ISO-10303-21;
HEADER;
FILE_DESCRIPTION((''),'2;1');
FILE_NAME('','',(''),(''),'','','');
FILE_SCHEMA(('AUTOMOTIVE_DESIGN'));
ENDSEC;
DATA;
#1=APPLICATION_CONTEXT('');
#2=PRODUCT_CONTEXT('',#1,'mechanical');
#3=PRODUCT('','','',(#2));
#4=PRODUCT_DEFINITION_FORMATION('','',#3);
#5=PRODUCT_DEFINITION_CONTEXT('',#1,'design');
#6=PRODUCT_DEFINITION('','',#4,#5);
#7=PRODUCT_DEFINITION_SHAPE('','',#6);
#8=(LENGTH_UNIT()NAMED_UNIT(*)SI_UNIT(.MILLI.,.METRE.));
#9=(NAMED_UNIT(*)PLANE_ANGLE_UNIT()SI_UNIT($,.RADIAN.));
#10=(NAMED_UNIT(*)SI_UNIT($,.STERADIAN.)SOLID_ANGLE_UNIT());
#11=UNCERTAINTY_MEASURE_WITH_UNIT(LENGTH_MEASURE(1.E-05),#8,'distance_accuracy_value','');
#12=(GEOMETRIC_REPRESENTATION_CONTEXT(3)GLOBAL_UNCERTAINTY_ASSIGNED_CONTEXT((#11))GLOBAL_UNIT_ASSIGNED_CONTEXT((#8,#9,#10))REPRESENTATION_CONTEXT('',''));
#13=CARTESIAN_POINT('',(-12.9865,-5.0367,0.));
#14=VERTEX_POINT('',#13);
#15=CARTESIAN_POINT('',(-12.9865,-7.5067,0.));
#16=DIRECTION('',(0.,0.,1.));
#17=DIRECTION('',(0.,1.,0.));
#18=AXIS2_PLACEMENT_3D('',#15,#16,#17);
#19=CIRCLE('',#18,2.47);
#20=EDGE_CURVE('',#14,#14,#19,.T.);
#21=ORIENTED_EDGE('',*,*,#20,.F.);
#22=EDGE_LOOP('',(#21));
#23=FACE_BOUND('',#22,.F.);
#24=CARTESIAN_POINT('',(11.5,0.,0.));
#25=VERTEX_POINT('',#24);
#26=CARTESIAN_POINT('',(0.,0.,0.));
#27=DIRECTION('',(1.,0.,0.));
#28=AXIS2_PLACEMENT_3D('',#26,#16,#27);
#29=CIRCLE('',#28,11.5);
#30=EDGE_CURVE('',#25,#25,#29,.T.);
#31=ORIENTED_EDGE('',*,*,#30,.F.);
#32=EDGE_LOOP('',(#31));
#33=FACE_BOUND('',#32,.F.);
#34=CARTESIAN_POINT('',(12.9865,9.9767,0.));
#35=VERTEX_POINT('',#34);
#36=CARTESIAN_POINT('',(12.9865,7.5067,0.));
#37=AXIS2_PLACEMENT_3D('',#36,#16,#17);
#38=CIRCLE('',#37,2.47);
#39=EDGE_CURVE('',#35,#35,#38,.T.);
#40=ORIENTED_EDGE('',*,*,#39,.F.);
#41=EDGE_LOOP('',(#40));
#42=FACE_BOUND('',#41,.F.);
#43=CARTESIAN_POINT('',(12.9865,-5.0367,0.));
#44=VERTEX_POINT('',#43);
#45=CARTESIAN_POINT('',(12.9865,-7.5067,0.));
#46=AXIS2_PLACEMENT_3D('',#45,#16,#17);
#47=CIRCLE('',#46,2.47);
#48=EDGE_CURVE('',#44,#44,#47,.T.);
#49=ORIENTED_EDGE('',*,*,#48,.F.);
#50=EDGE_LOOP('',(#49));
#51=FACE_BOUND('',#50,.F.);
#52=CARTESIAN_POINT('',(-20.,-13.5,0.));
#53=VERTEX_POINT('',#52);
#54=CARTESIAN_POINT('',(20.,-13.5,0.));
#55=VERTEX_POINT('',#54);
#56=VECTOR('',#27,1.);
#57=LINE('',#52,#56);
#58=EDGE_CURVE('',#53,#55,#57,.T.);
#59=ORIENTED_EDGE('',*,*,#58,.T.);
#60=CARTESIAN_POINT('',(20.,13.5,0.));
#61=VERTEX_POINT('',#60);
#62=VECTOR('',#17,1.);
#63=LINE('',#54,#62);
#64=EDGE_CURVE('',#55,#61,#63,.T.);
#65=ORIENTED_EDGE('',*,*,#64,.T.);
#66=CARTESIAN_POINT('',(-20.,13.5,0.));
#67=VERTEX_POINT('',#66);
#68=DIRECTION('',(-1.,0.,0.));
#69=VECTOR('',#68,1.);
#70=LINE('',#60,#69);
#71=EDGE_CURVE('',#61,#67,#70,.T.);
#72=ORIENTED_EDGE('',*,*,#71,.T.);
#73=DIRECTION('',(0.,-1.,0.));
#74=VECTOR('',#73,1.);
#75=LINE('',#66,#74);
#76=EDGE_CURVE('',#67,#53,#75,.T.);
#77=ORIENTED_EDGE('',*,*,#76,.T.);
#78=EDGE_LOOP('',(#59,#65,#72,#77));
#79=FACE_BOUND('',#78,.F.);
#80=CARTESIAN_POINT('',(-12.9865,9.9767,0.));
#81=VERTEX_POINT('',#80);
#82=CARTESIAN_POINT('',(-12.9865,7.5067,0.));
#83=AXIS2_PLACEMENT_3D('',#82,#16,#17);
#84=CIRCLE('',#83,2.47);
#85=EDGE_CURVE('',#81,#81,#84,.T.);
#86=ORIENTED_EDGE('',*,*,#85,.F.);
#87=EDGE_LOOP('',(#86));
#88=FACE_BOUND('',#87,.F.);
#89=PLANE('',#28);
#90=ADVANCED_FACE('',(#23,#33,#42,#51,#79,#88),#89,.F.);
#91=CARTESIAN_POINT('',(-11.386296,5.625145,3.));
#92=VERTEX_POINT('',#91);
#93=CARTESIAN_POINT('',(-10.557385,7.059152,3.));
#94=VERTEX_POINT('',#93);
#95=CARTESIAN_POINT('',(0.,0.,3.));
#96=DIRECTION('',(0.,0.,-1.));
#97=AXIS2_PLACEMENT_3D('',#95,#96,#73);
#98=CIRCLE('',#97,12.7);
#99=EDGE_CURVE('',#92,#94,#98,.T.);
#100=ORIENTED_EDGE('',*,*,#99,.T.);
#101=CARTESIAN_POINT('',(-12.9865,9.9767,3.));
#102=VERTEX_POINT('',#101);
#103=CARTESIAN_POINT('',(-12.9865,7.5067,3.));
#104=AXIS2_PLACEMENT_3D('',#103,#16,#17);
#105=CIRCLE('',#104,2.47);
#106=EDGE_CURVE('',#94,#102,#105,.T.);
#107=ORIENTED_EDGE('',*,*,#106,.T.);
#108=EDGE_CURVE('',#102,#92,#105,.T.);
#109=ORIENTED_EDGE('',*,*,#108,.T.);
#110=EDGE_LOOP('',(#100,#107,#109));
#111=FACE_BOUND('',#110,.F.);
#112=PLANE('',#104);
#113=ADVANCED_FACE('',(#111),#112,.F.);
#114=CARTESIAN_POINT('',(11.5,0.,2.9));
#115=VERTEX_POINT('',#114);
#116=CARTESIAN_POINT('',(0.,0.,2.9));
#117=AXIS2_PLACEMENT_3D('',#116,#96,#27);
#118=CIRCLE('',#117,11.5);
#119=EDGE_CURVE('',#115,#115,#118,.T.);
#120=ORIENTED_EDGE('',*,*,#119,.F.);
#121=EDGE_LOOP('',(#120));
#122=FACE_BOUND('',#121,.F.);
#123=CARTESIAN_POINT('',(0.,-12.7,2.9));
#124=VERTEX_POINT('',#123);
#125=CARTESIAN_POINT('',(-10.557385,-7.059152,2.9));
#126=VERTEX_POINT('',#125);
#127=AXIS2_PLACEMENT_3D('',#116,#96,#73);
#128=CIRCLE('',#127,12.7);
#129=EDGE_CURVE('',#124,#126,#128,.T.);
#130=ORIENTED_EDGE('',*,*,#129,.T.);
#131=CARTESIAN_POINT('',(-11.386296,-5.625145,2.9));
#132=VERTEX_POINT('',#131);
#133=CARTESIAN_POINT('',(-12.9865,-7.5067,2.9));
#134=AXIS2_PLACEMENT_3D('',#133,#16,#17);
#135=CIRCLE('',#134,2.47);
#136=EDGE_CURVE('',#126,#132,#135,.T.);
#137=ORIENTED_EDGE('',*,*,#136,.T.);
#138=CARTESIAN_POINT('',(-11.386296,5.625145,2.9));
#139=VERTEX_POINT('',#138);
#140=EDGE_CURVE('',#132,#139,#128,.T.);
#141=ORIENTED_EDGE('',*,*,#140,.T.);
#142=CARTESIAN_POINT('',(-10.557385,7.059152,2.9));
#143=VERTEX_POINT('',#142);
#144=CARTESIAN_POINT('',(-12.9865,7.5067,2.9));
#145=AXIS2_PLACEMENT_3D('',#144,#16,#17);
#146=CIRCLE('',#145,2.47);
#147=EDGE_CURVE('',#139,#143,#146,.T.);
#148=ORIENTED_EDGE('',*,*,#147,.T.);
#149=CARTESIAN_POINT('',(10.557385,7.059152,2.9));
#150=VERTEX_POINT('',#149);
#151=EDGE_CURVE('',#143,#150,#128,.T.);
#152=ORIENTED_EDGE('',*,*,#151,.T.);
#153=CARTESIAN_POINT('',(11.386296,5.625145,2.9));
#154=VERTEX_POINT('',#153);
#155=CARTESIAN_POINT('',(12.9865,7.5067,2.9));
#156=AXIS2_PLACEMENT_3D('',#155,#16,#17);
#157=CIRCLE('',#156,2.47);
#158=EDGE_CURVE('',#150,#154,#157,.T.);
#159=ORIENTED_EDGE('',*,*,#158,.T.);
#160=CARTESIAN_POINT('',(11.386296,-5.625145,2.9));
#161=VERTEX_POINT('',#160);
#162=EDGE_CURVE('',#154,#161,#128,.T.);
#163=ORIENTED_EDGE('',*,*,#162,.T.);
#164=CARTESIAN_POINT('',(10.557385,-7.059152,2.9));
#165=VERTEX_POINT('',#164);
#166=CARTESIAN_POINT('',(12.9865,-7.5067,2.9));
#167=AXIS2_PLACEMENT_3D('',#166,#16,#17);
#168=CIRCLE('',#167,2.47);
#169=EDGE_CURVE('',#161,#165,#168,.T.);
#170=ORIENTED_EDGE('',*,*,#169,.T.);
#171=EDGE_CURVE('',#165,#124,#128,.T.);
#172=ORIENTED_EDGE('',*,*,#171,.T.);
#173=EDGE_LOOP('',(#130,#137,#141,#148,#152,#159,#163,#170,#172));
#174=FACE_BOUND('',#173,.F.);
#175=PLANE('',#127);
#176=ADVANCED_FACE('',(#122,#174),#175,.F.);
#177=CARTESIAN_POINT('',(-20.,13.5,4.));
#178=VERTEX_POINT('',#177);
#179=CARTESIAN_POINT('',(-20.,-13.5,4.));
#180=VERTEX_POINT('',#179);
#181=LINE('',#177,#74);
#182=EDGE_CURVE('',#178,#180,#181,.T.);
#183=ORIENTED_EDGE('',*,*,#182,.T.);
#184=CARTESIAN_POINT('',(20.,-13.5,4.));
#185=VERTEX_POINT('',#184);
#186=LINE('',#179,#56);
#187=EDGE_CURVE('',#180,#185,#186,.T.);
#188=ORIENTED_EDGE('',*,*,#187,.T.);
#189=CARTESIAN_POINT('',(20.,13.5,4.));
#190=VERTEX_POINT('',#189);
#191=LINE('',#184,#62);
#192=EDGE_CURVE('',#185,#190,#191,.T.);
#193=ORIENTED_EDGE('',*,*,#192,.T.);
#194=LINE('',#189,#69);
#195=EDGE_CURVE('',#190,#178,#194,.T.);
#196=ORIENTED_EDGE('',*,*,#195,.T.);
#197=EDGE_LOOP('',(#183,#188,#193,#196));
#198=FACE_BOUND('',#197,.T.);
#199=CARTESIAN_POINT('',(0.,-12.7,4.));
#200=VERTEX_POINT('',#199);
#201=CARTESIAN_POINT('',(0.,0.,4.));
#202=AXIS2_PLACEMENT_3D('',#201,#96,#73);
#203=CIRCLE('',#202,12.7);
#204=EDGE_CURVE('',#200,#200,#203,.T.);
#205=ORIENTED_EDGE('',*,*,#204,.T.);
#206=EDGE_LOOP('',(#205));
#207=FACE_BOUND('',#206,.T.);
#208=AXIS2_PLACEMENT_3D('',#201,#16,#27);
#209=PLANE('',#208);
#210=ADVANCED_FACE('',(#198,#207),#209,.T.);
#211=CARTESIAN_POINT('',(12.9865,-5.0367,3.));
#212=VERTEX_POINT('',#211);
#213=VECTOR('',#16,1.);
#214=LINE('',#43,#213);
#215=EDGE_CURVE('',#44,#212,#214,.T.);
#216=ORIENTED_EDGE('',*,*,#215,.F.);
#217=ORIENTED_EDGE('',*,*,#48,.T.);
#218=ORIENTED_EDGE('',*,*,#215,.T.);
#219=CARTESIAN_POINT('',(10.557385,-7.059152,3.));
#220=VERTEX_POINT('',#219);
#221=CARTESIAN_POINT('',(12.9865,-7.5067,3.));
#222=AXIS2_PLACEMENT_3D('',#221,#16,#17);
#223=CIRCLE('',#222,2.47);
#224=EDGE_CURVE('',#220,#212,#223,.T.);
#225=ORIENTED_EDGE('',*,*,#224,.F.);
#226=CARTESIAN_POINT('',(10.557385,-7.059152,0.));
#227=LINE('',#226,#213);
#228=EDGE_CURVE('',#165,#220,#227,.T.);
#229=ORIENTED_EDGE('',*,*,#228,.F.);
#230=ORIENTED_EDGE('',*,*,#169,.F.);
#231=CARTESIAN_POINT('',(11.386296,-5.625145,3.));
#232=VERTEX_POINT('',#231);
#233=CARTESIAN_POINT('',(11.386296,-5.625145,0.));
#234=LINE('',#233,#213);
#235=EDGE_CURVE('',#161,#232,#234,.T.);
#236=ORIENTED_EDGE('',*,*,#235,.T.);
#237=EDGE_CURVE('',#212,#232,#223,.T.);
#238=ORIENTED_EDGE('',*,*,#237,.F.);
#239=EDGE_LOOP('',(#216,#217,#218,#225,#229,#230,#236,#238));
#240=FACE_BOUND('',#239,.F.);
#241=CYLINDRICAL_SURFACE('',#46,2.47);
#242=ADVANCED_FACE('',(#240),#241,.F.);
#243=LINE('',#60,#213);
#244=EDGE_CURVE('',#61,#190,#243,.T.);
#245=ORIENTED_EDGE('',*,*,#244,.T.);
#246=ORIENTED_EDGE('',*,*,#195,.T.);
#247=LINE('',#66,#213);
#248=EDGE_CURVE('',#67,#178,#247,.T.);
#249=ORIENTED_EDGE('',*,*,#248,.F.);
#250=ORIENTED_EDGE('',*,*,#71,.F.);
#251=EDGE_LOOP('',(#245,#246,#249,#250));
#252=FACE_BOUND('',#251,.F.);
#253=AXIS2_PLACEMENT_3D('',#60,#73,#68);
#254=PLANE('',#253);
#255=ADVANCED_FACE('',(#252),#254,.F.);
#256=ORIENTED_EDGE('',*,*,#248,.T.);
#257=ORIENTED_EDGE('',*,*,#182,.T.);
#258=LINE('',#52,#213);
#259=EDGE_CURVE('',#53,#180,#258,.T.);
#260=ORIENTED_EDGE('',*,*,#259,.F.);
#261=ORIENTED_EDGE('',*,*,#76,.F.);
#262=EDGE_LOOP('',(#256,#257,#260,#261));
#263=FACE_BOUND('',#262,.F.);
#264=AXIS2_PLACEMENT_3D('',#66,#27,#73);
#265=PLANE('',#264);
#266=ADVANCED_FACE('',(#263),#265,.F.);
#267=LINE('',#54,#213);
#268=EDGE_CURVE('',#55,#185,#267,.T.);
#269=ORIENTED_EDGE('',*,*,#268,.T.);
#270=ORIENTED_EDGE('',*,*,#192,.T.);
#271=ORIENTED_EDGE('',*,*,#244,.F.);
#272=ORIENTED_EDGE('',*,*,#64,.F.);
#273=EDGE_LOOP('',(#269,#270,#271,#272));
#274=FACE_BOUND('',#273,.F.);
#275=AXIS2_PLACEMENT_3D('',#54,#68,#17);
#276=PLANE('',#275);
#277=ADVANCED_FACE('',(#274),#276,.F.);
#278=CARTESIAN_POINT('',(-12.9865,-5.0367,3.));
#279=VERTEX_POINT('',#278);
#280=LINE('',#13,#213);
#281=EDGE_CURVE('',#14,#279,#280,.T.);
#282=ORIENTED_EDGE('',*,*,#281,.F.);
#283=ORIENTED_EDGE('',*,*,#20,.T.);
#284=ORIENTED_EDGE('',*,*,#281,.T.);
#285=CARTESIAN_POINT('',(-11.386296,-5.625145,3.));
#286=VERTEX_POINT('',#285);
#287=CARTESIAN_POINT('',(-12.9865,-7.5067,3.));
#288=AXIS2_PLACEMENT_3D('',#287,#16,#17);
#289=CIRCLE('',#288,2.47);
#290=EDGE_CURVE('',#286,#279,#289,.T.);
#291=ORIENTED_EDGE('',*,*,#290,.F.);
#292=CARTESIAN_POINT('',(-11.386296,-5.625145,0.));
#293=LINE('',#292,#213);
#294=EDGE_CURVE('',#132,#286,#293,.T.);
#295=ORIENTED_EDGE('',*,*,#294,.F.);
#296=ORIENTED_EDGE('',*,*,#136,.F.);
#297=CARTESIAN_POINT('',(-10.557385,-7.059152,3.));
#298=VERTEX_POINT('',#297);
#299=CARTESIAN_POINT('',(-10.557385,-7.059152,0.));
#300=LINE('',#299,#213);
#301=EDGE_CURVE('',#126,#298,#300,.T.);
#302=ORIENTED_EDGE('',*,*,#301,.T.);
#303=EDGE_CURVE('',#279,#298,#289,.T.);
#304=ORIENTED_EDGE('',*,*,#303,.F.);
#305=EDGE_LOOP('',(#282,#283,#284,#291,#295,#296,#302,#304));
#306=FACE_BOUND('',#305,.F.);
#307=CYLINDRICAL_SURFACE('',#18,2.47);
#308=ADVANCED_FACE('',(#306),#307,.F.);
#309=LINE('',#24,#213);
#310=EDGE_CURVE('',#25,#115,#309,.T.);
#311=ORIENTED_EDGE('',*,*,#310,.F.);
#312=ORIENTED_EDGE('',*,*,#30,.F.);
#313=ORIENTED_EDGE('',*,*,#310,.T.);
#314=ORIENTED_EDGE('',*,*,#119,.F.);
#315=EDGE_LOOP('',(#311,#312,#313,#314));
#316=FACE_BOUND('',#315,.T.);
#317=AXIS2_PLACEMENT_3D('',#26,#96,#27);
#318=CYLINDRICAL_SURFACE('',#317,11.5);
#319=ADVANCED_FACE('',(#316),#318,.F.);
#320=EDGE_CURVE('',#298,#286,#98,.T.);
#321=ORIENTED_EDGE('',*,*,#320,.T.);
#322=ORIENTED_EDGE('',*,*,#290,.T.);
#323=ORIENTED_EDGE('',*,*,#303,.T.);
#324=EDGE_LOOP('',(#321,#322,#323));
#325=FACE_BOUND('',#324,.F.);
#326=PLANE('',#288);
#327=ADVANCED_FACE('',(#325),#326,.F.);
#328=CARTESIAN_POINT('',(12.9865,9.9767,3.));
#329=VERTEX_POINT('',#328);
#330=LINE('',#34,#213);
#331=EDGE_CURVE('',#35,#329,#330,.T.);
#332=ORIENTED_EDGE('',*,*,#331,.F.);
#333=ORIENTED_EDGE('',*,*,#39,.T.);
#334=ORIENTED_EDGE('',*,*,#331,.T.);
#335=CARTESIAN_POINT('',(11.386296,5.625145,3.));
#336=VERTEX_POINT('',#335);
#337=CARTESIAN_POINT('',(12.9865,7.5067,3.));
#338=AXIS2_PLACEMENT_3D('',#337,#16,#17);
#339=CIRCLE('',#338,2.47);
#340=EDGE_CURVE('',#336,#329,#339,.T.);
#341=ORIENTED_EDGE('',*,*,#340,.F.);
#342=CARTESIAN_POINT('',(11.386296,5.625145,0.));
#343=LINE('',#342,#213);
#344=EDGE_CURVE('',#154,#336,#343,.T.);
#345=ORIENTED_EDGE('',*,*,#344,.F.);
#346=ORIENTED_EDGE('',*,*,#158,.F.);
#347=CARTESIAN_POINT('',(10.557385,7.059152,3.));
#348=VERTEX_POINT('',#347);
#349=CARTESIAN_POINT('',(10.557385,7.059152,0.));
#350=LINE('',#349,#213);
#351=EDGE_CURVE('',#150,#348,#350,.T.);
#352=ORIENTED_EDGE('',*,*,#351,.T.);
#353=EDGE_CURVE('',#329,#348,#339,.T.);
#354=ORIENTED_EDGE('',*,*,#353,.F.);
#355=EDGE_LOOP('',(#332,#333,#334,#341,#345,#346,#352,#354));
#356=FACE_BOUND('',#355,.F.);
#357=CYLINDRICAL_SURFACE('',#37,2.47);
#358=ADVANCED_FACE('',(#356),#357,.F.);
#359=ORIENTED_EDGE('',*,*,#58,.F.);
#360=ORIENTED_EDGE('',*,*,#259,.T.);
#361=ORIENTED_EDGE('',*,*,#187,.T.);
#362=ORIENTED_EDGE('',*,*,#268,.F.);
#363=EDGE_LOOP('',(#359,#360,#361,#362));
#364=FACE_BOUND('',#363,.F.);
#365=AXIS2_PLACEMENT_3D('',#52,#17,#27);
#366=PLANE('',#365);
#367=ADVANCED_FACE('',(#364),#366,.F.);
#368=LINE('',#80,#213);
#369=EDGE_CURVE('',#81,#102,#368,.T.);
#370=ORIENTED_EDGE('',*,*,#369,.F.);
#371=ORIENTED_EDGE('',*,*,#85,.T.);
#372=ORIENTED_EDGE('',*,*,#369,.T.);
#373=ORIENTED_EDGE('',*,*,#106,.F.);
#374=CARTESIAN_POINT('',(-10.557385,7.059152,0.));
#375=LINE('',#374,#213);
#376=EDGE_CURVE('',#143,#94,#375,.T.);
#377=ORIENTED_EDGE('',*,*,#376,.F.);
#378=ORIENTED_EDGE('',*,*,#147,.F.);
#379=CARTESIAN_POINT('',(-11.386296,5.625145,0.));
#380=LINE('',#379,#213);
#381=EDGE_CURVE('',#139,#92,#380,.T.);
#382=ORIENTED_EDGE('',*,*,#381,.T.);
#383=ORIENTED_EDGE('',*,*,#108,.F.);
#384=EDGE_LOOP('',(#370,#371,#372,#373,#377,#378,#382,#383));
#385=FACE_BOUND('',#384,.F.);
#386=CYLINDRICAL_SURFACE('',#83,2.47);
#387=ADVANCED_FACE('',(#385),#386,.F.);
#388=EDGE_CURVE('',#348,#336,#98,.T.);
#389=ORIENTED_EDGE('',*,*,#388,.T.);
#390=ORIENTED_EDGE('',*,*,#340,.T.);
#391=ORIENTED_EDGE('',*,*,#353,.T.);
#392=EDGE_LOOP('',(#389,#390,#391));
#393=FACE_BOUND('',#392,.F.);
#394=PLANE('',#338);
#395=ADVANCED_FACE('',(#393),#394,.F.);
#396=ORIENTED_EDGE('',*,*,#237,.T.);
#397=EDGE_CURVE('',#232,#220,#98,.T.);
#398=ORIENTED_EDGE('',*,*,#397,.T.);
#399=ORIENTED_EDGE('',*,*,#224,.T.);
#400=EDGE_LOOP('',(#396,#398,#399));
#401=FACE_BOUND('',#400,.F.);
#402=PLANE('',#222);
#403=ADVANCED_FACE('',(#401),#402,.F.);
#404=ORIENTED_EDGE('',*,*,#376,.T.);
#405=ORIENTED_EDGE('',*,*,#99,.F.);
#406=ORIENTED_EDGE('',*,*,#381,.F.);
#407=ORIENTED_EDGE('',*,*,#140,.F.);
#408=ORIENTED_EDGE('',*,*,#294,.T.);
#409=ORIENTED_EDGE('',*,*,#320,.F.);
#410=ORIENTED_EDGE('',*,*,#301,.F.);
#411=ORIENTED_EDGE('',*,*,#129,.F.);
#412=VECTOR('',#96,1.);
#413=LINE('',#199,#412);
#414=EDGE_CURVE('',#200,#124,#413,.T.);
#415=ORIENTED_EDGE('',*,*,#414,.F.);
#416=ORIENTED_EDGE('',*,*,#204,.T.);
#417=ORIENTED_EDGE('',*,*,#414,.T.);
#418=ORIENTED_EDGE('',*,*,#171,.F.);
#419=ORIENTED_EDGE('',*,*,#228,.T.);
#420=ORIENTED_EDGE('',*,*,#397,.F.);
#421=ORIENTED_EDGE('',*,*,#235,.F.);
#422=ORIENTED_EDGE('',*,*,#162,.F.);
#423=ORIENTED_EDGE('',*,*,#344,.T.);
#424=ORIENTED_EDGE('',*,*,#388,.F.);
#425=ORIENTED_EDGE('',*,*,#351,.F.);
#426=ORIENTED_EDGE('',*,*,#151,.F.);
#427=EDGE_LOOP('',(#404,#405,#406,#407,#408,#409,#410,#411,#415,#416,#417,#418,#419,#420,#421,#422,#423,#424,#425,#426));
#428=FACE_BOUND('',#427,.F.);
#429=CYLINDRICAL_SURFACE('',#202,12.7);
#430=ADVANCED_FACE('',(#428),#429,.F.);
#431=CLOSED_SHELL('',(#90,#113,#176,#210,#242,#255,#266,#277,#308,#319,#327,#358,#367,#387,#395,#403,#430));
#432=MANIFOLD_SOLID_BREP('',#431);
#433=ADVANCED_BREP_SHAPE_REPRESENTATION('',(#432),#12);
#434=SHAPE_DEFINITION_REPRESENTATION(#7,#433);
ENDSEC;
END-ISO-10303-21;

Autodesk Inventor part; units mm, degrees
ref_plane "YZ Plane" through (0, 0, 0) normal (1, 0, 0) x (0, 1, 0)
ref_plane "XZ Plane" through (0, 0, 0) normal (0, 1, 0) x (-1, 0, 0)
ref_plane "XY Plane" through (0, 0, 0) normal (0, 0, 1) x (1, 0, 0)
sketch "草图1" plane through (0, 0, 0) normal (0, 0, 1) x (1, 0, 0)
  line L0 (-25.95, -15) -> (25.95, -15) construction
  line L1 (25.95, -15) -> (25.95, 15) construction
  line L2 (25.95, 15) -> (-25.95, 15) construction
  line L3 (-25.95, 15) -> (-25.95, -15) construction
  line L4 (-25.95, -15) -> (25.95, 15) construction
  line L5 (25.95, -15) -> (-25.95, 15) construction
  line L6 (0, 0) -> (-12.9865, 7.5067) construction
  line L7 (0, 0) -> (12.9865, 7.5067) construction
  line L8 (0, 0) -> (-12.9865, -7.5067) construction
  line L9 (0, 0) -> (12.9865, -7.5067) construction
  circle A0 centre (0, 0) radius 11.5
  line L10 (-20, -13.5) -> (20, -13.5)
  line L11 (20, -13.5) -> (20, 13.5)
  line L12 (20, 13.5) -> (-20, 13.5)
  line L13 (-20, 13.5) -> (-20, -13.5)
  line L14 (-20, -13.5) -> (20, 13.5) construction
  line L15 (20, -13.5) -> (-20, 13.5) construction
  circle A1 centre (12.9865, 7.5067) radius 2.5
  circle A2 centre (-12.9865, 7.5067) radius 2.5
  circle A3 centre (12.9865, -7.5067) radius 2.5
  dimension "d0" = 51.9
  dimension "d1" = 30
  dimension "d6" = 23
  dimension "d7" = 40
  dimension "d8" = 27
  dimension "d11" = 5
  dimension "d12" = 5
  dimension "d13" = 5
extrude "拉伸1" add sketch "草图1" along normal blind 4 contours L13 L12 L11 L10 | A1 | A2 | A3
hole "孔1" at (-12.9865, 7.5067, 0) at (12.9865, 7.5067, 0) at (12.9865, -7.5067, 0) at (-12.9865, -7.5067, 0) at (0, 0, 0) direction (0, 0, 1) diameter 4.94 depth 3
sketch "草图2" plane through (0, 0, 4) normal (0, 0, 1) x (1, 0, 0)
  point P0 (0, 0)
  point P1 (0, 0)
hole "孔2" at (0, 0, 4) direction (0, 0, -1) diameter 25.4 depth 1.1
sketch "草图3" plane through (0, 0, 4) normal (0, 0, 1) x (1, 0, 0)
  point P0 (0, 0)
equation "\"折弯半径\" = 厚度"
equation "\"折弯释压宽度\" = 厚度"
equation "\"折弯释压深度\" = 0.5 * 厚度"
equation "\"拐角释压尺寸\" = 4 * 厚度"
equation "\"最小余量\" = 2 * 厚度"
equation "\"过渡半径\" = 折弯半径"
equation "\"Jacobi半径尺寸\" = 折弯半径"
equation "\"间隙大小\" = 厚度"
equation "\"厚度\" = 0.5"
properties part number "zhunzhiguan2"
